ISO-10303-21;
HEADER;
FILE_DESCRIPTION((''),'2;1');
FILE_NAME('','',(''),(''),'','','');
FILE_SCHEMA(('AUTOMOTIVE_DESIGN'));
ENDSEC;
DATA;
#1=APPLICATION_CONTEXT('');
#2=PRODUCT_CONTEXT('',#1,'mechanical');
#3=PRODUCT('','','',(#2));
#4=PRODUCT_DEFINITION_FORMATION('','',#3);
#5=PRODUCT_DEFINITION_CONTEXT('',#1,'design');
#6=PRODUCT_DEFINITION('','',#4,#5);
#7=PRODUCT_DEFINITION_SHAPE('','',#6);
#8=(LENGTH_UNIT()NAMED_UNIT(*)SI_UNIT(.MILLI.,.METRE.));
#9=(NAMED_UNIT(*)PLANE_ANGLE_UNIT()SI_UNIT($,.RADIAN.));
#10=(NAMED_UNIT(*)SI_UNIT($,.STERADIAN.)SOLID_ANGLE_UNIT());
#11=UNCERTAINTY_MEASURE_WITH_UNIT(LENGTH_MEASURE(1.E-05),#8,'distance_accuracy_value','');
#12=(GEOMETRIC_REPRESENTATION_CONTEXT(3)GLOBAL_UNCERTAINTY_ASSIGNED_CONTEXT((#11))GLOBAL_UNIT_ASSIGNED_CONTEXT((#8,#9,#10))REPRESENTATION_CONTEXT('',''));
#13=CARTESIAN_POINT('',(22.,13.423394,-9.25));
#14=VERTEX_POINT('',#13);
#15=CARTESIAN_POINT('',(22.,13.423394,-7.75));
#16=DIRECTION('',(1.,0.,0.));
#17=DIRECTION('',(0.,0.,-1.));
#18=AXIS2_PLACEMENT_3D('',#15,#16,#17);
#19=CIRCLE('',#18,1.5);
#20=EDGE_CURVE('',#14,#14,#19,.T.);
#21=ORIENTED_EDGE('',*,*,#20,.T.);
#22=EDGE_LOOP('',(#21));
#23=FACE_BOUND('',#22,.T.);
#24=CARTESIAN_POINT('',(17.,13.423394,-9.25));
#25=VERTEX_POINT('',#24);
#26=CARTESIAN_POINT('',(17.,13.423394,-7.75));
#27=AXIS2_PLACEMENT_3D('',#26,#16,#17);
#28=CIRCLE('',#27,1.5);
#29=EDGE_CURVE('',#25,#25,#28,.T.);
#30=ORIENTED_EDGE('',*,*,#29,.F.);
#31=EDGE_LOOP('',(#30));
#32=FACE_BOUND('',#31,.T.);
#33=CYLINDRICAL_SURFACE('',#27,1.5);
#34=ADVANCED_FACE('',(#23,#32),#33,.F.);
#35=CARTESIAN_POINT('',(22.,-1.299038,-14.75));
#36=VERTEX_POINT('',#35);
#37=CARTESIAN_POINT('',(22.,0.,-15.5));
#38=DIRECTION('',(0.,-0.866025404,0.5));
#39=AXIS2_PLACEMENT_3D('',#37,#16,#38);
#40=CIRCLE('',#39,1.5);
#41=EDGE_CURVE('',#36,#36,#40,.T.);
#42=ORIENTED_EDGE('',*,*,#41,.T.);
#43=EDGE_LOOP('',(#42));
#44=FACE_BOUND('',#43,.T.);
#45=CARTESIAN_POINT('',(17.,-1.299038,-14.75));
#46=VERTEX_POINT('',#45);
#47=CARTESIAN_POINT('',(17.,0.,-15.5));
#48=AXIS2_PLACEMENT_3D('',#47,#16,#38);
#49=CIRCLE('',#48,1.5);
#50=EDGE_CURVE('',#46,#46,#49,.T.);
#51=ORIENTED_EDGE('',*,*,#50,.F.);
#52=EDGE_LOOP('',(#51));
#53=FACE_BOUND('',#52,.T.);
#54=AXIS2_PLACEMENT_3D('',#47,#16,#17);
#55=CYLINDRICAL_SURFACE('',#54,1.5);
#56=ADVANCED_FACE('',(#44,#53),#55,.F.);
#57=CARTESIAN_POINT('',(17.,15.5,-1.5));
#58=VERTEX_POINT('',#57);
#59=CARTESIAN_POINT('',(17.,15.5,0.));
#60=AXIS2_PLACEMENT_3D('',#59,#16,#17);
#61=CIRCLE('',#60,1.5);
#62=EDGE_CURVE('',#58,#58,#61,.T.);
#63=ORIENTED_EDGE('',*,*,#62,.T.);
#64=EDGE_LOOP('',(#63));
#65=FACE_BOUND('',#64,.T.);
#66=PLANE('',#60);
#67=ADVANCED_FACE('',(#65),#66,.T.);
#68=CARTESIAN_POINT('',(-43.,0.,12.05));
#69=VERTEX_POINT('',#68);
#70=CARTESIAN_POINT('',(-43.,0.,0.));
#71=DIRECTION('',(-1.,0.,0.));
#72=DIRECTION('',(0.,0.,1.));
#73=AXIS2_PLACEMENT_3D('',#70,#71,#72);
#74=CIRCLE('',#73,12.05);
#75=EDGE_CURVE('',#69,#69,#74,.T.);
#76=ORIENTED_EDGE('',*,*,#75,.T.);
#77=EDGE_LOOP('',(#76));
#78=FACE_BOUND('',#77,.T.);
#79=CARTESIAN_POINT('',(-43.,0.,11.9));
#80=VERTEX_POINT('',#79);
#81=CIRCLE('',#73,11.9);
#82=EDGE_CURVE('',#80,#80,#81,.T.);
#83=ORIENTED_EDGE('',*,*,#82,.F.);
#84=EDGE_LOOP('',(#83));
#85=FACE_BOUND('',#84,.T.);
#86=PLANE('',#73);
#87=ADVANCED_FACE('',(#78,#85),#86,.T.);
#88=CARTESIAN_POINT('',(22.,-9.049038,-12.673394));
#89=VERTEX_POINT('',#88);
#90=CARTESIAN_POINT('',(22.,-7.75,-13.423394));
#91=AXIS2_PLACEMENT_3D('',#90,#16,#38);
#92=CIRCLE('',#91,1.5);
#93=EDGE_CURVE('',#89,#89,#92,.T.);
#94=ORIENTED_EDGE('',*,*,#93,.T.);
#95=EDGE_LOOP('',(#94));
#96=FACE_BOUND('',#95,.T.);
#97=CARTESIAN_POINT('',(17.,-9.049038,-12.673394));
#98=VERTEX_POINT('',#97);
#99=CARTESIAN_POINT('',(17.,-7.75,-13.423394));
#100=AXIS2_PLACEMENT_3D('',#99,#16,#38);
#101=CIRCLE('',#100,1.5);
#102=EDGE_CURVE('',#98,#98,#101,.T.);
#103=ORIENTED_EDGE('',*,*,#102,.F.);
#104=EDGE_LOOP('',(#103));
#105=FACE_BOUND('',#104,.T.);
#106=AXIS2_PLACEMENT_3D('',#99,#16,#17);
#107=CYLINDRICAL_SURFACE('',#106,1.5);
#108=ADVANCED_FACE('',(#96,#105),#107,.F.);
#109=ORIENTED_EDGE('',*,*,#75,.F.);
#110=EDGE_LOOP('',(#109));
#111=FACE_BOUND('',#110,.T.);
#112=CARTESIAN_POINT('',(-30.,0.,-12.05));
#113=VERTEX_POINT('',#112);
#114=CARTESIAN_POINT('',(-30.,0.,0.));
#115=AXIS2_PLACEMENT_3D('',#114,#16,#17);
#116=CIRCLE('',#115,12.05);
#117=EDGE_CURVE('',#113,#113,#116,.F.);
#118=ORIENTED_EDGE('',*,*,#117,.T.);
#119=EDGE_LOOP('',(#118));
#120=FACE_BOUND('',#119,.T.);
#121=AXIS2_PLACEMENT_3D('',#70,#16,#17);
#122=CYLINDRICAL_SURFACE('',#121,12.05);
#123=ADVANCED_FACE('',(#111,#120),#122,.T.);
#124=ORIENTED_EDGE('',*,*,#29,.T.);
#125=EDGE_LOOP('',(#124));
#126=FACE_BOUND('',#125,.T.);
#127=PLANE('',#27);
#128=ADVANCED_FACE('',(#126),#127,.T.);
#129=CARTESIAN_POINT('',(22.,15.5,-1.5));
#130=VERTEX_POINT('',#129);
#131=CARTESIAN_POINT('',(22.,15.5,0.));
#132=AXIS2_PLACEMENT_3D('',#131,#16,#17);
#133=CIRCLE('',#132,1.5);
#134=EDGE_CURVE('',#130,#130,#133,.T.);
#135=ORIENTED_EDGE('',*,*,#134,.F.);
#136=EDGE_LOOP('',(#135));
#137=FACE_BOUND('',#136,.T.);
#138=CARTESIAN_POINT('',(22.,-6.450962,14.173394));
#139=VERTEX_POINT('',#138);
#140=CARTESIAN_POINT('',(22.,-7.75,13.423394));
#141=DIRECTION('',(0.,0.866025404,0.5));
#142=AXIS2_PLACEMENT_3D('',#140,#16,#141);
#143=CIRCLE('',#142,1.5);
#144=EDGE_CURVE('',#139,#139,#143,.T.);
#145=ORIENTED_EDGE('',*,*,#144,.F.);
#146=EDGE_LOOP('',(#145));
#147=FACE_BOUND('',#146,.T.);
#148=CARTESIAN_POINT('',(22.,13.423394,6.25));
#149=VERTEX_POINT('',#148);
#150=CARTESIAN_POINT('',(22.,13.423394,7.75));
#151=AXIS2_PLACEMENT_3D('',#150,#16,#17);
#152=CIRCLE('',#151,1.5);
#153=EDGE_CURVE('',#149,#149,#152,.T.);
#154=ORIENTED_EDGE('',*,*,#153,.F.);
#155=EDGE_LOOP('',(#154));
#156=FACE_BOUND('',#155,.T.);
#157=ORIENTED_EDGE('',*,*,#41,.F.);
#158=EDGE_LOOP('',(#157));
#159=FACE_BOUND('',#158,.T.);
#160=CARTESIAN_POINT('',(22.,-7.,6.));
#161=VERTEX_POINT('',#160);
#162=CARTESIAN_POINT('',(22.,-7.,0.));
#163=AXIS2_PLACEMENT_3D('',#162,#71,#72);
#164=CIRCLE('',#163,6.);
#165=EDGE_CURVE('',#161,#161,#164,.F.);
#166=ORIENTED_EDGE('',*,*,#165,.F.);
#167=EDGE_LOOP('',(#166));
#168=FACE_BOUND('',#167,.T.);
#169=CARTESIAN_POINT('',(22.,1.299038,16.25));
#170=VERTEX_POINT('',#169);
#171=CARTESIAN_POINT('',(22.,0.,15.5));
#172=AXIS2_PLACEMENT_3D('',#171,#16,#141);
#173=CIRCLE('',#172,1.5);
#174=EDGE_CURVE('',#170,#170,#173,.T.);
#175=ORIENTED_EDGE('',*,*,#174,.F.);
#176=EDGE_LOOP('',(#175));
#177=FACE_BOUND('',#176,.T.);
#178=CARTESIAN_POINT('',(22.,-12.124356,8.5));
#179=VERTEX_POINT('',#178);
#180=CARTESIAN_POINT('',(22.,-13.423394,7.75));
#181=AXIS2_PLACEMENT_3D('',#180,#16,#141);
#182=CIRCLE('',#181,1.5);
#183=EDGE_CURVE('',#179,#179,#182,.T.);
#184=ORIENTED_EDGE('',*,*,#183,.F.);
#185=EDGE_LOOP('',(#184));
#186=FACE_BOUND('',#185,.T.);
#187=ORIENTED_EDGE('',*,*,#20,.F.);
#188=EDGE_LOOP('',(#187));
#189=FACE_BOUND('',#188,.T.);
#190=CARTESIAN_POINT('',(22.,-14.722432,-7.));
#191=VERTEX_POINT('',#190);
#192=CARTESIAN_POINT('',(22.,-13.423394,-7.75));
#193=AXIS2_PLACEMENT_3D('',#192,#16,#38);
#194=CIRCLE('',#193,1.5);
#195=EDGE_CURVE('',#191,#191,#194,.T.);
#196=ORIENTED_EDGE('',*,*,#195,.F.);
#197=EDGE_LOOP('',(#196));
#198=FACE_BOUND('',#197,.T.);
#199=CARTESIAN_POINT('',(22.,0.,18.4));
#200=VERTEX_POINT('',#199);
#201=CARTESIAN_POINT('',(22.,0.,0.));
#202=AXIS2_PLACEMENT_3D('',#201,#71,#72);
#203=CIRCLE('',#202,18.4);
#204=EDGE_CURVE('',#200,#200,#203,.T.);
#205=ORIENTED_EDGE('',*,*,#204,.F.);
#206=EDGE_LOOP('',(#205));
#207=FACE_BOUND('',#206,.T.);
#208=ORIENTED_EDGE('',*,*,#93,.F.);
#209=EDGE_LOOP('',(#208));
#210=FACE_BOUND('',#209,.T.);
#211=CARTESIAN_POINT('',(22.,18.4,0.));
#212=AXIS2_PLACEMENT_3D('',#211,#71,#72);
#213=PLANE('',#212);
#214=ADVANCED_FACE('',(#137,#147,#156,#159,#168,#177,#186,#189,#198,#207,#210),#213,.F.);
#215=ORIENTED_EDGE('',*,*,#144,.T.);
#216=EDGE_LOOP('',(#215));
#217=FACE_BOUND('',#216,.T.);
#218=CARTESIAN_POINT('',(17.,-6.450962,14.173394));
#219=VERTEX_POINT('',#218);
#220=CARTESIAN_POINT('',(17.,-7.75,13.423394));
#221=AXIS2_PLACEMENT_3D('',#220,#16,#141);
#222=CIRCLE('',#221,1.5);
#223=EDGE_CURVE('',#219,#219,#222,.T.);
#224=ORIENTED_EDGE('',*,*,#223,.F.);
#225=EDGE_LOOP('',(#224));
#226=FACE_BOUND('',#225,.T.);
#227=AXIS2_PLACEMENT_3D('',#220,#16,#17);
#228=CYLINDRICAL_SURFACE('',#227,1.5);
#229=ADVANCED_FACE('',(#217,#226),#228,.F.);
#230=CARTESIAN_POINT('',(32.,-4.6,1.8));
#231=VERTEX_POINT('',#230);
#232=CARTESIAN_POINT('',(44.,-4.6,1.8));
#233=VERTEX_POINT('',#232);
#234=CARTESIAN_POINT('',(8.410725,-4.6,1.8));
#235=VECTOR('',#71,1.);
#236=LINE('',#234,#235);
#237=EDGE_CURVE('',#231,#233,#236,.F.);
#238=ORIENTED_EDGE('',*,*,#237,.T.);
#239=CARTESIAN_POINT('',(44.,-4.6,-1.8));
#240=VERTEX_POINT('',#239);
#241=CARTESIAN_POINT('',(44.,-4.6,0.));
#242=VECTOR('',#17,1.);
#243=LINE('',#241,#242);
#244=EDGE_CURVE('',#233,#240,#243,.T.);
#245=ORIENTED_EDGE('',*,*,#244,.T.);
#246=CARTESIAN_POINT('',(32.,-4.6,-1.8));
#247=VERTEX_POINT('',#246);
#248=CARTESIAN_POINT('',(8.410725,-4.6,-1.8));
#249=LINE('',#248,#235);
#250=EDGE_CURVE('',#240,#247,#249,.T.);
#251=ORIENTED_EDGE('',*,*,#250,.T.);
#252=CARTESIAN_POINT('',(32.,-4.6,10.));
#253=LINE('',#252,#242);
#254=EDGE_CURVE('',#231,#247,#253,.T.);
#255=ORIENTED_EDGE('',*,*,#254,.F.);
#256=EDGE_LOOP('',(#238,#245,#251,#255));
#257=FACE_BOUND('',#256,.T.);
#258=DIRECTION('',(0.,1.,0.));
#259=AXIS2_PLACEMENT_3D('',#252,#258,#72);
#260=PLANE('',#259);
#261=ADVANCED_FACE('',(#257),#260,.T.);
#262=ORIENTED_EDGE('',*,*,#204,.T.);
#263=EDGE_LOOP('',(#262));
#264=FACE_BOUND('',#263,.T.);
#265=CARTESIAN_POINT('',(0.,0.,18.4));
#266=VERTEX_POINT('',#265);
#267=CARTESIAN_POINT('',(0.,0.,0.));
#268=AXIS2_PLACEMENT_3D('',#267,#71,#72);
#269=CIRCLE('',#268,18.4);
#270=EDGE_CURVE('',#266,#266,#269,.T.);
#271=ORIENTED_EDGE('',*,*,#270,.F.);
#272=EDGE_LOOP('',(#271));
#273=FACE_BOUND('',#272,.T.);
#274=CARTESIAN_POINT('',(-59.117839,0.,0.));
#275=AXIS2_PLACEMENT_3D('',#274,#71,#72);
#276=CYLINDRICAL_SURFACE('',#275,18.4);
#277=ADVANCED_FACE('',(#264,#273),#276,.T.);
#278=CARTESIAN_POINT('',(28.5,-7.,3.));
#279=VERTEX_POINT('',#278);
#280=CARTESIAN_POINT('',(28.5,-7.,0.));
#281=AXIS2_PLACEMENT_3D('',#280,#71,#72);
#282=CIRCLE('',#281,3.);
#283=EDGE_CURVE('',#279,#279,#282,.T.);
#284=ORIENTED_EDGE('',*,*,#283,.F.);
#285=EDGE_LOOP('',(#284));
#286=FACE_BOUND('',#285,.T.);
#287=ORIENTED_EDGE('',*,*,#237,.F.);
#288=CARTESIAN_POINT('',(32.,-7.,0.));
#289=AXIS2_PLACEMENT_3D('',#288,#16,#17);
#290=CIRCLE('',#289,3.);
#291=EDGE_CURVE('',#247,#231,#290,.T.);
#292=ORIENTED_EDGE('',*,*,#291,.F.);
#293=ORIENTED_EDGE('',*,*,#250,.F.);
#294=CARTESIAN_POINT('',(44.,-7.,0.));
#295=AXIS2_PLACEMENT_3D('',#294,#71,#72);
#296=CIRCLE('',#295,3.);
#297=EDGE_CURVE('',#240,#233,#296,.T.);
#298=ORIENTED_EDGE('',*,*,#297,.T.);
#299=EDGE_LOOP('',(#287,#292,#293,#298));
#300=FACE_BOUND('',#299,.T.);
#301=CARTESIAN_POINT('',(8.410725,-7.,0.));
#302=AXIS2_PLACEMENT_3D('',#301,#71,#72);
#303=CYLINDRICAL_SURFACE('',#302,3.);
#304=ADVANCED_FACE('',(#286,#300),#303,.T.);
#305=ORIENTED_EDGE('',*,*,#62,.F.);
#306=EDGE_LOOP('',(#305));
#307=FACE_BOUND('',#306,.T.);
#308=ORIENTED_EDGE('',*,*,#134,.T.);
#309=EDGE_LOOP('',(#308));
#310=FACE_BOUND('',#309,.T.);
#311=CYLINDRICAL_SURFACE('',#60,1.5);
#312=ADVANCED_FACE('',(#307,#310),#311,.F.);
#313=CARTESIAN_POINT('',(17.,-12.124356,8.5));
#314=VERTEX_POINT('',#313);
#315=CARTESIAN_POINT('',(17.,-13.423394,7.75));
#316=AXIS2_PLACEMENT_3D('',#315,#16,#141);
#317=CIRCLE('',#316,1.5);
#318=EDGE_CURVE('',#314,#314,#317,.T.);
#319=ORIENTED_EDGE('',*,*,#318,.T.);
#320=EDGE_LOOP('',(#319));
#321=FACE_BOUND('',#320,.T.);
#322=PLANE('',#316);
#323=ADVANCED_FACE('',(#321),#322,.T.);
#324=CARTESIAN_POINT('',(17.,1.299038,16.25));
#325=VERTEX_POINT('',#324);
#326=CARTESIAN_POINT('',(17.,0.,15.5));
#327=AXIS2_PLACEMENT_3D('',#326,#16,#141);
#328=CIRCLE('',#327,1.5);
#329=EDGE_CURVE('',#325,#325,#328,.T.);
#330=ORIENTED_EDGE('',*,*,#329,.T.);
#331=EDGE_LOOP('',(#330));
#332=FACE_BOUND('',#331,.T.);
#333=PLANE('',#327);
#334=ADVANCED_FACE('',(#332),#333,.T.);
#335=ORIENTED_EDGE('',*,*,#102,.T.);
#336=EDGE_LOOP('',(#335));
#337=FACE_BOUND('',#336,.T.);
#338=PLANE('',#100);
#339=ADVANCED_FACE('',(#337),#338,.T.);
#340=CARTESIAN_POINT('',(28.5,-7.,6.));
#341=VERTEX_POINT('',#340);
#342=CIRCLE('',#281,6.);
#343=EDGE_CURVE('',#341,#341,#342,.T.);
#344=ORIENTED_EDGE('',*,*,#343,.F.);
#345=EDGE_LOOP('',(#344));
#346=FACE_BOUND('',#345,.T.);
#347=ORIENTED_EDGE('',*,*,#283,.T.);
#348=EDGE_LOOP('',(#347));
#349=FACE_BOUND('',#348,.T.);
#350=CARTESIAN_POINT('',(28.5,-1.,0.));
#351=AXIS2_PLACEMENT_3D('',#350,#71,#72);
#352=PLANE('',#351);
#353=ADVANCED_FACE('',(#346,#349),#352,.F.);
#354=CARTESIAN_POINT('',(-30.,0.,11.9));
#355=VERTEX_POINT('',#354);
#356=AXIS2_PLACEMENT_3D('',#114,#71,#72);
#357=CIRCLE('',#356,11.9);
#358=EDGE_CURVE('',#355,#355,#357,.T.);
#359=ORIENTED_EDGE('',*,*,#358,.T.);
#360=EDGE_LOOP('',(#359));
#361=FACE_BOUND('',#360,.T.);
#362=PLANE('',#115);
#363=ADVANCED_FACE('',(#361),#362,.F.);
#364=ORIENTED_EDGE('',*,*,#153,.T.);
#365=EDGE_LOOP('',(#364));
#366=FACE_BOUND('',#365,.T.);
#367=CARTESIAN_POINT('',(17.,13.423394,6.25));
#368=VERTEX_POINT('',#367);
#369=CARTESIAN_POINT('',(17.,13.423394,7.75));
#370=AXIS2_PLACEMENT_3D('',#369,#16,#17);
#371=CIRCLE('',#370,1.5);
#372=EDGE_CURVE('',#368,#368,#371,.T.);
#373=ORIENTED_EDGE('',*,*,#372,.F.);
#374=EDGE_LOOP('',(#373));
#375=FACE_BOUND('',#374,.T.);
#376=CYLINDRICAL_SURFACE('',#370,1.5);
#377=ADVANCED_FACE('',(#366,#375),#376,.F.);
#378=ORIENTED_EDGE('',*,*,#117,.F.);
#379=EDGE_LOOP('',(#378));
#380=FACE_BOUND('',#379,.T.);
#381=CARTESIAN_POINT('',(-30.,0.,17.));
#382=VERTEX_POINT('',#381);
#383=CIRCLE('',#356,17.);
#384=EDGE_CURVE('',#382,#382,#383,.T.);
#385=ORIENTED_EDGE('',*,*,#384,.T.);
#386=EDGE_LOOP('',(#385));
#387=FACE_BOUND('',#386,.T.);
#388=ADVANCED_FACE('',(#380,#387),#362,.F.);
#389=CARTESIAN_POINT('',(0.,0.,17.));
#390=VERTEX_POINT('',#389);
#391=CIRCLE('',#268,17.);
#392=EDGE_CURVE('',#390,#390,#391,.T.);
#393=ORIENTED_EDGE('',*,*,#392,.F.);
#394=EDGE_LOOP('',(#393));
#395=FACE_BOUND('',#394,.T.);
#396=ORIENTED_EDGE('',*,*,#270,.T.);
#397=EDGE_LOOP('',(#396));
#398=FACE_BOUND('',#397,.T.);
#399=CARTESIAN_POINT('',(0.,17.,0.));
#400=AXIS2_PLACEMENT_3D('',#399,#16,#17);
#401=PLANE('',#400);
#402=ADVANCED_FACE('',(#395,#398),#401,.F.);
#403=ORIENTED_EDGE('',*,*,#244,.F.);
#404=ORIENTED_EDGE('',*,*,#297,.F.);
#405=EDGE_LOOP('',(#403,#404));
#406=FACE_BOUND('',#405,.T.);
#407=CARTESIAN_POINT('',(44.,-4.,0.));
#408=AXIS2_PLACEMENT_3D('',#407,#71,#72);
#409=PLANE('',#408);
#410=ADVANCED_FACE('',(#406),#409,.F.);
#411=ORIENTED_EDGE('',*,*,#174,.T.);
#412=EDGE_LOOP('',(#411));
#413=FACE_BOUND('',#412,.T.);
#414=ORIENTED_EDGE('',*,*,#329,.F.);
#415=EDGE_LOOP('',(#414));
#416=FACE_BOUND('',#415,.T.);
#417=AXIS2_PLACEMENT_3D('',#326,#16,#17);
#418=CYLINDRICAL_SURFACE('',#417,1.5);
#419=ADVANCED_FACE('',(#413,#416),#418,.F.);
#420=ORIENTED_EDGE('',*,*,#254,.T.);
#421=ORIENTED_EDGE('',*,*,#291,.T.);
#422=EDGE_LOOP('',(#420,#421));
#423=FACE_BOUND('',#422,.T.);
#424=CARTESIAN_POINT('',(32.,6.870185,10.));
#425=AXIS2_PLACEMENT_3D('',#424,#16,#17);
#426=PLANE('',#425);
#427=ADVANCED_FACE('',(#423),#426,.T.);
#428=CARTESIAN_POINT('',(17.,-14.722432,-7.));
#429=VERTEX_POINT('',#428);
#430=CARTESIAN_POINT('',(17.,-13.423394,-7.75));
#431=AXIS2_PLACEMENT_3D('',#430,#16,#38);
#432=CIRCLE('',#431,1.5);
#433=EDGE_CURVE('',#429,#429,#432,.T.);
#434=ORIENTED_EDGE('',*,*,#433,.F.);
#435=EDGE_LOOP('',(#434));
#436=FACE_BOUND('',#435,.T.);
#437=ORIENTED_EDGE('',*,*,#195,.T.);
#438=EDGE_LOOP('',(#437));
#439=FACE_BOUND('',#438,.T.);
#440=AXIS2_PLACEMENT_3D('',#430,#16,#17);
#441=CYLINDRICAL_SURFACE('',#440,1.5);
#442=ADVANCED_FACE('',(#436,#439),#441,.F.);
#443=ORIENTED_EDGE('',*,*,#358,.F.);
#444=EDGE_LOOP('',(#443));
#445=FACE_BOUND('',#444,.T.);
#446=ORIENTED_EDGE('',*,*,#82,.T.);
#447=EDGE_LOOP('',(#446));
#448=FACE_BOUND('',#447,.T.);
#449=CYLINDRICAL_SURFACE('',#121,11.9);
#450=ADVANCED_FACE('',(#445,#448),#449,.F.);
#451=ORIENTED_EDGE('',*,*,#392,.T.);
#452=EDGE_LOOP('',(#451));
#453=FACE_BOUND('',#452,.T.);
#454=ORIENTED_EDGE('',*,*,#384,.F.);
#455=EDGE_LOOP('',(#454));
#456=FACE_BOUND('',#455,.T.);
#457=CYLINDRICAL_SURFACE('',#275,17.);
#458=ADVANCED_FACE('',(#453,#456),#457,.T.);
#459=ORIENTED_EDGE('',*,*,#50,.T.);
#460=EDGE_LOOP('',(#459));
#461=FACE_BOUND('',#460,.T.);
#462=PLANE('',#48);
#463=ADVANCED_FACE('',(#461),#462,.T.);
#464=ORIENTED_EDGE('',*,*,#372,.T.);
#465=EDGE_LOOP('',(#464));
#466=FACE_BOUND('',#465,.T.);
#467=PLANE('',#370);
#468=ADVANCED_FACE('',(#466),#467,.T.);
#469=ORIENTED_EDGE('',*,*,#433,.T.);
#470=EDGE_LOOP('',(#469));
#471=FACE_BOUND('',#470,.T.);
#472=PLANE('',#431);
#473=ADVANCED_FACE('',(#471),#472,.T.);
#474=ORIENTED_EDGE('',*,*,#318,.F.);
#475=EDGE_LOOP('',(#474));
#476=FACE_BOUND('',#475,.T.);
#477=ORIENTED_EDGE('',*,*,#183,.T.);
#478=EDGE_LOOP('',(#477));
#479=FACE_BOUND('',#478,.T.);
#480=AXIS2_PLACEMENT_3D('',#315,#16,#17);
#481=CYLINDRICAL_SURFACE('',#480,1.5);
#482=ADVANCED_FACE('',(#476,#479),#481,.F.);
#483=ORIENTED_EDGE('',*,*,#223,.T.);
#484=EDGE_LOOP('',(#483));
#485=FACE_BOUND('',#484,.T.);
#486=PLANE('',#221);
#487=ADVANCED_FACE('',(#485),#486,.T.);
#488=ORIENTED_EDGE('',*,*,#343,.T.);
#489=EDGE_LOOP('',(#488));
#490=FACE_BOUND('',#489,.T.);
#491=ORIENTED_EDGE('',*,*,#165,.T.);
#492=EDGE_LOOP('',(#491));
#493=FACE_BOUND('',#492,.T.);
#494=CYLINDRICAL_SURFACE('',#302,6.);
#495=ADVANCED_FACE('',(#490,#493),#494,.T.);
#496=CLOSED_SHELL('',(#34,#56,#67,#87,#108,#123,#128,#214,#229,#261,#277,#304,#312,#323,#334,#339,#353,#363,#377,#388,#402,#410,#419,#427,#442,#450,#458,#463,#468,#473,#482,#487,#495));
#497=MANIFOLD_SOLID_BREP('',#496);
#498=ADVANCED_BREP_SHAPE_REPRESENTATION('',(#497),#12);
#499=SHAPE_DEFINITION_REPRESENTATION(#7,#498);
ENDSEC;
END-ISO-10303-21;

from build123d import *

# Parameters (mm, degrees)
ENL_V_MAT_EXTRU_1_DEPTH      = 10
ENL_V_MAT_EXTRU_1_DEPTH_BACK = 10
ESQUISSE4_W                  = 18.656759262
ESQUISSE4_H                  = 11.470185
ESQUISSE5_R                  = 12.05
ESQUISSE5_R_2                = 11.9
BOSS_EXTRU_1_DEPTH           = 13
ESQUISSE6_R                  = 1.5
ENL_V_MAT_EXTRU_2_DEPTH      = 5
R_P_TITION_CIRCULAIRE1_COUNT = 3


with BuildPart() as part:
    # Esquisse1 → Révolution1 (revolve)
    with BuildSketch(Plane.XY):
        Polygon((-30, 0), (-30, 17), (0, 17), (0, 18.4), (22, 18.4), (22, 0), align=None)
    revolve(axis=Axis((-59.117838542, 0, 0), (1, 0, 0)))

    # Esquisse3 → Révolution2 (revolve)
    with BuildSketch(Plane.XY):
        Polygon((22, -1), (28.5, -1), (28.5, -4), (44, -4), (44, -7), (22, -7), align=None)
    revolve(axis=Axis((8.410725031, -7, 0), (1, 0, 0)))

    # Esquisse4 → Enlèv. mat.-Extru.1 (cut, two sides: drawn at the far end of the back side and taken through both)
    with BuildSketch(Plane.XY.offset(-ENL_V_MAT_EXTRU_1_DEPTH_BACK)):
        with Locations((41.328379631, 1.1350925)):
            Rectangle(ESQUISSE4_W, ESQUISSE4_H)
    extrude(amount=ENL_V_MAT_EXTRU_1_DEPTH + ENL_V_MAT_EXTRU_1_DEPTH_BACK, mode=Mode.SUBTRACT)

    # Esquisse5 → Boss.-Extru.1 (add)
    with BuildSketch(Plane.ZY.offset(30)):
        Circle(ESQUISSE5_R)
        Circle(ESQUISSE5_R_2, mode=Mode.SUBTRACT)
    extrude(amount=BOSS_EXTRU_1_DEPTH)

    # Esquisse6 → Enlèv. mat.-Extru.2 (cut)
    with BuildSketch(Plane(origin=(22, 0, 0), x_dir=(0, 0, -1), z_dir=(1, 0, 0))):
        with Locations((0, 15.5)):
            Circle(ESQUISSE6_R)
        with Locations((7.75, 13.423393759)):
            Circle(ESQUISSE6_R)
        with Locations((-7.75, 13.423393759)):
            Circle(ESQUISSE6_R)
    enl_v_mat_extru_2 = extrude(amount=-ENL_V_MAT_EXTRU_2_DEPTH, mode=Mode.SUBTRACT)

    # Répétition circulaire1: Enlèv. mat.-Extru.2 ×3 about axis
    r_p_tition_circulaire1_axis = Axis((22, 0, 0), (-1, 0, 0))
    for i in range(1, R_P_TITION_CIRCULAIRE1_COUNT):
        add(enl_v_mat_extru_2.rotate(r_p_tition_circulaire1_axis, i * 360 / R_P_TITION_CIRCULAIRE1_COUNT), mode=Mode.SUBTRACT)


solid = part.part
